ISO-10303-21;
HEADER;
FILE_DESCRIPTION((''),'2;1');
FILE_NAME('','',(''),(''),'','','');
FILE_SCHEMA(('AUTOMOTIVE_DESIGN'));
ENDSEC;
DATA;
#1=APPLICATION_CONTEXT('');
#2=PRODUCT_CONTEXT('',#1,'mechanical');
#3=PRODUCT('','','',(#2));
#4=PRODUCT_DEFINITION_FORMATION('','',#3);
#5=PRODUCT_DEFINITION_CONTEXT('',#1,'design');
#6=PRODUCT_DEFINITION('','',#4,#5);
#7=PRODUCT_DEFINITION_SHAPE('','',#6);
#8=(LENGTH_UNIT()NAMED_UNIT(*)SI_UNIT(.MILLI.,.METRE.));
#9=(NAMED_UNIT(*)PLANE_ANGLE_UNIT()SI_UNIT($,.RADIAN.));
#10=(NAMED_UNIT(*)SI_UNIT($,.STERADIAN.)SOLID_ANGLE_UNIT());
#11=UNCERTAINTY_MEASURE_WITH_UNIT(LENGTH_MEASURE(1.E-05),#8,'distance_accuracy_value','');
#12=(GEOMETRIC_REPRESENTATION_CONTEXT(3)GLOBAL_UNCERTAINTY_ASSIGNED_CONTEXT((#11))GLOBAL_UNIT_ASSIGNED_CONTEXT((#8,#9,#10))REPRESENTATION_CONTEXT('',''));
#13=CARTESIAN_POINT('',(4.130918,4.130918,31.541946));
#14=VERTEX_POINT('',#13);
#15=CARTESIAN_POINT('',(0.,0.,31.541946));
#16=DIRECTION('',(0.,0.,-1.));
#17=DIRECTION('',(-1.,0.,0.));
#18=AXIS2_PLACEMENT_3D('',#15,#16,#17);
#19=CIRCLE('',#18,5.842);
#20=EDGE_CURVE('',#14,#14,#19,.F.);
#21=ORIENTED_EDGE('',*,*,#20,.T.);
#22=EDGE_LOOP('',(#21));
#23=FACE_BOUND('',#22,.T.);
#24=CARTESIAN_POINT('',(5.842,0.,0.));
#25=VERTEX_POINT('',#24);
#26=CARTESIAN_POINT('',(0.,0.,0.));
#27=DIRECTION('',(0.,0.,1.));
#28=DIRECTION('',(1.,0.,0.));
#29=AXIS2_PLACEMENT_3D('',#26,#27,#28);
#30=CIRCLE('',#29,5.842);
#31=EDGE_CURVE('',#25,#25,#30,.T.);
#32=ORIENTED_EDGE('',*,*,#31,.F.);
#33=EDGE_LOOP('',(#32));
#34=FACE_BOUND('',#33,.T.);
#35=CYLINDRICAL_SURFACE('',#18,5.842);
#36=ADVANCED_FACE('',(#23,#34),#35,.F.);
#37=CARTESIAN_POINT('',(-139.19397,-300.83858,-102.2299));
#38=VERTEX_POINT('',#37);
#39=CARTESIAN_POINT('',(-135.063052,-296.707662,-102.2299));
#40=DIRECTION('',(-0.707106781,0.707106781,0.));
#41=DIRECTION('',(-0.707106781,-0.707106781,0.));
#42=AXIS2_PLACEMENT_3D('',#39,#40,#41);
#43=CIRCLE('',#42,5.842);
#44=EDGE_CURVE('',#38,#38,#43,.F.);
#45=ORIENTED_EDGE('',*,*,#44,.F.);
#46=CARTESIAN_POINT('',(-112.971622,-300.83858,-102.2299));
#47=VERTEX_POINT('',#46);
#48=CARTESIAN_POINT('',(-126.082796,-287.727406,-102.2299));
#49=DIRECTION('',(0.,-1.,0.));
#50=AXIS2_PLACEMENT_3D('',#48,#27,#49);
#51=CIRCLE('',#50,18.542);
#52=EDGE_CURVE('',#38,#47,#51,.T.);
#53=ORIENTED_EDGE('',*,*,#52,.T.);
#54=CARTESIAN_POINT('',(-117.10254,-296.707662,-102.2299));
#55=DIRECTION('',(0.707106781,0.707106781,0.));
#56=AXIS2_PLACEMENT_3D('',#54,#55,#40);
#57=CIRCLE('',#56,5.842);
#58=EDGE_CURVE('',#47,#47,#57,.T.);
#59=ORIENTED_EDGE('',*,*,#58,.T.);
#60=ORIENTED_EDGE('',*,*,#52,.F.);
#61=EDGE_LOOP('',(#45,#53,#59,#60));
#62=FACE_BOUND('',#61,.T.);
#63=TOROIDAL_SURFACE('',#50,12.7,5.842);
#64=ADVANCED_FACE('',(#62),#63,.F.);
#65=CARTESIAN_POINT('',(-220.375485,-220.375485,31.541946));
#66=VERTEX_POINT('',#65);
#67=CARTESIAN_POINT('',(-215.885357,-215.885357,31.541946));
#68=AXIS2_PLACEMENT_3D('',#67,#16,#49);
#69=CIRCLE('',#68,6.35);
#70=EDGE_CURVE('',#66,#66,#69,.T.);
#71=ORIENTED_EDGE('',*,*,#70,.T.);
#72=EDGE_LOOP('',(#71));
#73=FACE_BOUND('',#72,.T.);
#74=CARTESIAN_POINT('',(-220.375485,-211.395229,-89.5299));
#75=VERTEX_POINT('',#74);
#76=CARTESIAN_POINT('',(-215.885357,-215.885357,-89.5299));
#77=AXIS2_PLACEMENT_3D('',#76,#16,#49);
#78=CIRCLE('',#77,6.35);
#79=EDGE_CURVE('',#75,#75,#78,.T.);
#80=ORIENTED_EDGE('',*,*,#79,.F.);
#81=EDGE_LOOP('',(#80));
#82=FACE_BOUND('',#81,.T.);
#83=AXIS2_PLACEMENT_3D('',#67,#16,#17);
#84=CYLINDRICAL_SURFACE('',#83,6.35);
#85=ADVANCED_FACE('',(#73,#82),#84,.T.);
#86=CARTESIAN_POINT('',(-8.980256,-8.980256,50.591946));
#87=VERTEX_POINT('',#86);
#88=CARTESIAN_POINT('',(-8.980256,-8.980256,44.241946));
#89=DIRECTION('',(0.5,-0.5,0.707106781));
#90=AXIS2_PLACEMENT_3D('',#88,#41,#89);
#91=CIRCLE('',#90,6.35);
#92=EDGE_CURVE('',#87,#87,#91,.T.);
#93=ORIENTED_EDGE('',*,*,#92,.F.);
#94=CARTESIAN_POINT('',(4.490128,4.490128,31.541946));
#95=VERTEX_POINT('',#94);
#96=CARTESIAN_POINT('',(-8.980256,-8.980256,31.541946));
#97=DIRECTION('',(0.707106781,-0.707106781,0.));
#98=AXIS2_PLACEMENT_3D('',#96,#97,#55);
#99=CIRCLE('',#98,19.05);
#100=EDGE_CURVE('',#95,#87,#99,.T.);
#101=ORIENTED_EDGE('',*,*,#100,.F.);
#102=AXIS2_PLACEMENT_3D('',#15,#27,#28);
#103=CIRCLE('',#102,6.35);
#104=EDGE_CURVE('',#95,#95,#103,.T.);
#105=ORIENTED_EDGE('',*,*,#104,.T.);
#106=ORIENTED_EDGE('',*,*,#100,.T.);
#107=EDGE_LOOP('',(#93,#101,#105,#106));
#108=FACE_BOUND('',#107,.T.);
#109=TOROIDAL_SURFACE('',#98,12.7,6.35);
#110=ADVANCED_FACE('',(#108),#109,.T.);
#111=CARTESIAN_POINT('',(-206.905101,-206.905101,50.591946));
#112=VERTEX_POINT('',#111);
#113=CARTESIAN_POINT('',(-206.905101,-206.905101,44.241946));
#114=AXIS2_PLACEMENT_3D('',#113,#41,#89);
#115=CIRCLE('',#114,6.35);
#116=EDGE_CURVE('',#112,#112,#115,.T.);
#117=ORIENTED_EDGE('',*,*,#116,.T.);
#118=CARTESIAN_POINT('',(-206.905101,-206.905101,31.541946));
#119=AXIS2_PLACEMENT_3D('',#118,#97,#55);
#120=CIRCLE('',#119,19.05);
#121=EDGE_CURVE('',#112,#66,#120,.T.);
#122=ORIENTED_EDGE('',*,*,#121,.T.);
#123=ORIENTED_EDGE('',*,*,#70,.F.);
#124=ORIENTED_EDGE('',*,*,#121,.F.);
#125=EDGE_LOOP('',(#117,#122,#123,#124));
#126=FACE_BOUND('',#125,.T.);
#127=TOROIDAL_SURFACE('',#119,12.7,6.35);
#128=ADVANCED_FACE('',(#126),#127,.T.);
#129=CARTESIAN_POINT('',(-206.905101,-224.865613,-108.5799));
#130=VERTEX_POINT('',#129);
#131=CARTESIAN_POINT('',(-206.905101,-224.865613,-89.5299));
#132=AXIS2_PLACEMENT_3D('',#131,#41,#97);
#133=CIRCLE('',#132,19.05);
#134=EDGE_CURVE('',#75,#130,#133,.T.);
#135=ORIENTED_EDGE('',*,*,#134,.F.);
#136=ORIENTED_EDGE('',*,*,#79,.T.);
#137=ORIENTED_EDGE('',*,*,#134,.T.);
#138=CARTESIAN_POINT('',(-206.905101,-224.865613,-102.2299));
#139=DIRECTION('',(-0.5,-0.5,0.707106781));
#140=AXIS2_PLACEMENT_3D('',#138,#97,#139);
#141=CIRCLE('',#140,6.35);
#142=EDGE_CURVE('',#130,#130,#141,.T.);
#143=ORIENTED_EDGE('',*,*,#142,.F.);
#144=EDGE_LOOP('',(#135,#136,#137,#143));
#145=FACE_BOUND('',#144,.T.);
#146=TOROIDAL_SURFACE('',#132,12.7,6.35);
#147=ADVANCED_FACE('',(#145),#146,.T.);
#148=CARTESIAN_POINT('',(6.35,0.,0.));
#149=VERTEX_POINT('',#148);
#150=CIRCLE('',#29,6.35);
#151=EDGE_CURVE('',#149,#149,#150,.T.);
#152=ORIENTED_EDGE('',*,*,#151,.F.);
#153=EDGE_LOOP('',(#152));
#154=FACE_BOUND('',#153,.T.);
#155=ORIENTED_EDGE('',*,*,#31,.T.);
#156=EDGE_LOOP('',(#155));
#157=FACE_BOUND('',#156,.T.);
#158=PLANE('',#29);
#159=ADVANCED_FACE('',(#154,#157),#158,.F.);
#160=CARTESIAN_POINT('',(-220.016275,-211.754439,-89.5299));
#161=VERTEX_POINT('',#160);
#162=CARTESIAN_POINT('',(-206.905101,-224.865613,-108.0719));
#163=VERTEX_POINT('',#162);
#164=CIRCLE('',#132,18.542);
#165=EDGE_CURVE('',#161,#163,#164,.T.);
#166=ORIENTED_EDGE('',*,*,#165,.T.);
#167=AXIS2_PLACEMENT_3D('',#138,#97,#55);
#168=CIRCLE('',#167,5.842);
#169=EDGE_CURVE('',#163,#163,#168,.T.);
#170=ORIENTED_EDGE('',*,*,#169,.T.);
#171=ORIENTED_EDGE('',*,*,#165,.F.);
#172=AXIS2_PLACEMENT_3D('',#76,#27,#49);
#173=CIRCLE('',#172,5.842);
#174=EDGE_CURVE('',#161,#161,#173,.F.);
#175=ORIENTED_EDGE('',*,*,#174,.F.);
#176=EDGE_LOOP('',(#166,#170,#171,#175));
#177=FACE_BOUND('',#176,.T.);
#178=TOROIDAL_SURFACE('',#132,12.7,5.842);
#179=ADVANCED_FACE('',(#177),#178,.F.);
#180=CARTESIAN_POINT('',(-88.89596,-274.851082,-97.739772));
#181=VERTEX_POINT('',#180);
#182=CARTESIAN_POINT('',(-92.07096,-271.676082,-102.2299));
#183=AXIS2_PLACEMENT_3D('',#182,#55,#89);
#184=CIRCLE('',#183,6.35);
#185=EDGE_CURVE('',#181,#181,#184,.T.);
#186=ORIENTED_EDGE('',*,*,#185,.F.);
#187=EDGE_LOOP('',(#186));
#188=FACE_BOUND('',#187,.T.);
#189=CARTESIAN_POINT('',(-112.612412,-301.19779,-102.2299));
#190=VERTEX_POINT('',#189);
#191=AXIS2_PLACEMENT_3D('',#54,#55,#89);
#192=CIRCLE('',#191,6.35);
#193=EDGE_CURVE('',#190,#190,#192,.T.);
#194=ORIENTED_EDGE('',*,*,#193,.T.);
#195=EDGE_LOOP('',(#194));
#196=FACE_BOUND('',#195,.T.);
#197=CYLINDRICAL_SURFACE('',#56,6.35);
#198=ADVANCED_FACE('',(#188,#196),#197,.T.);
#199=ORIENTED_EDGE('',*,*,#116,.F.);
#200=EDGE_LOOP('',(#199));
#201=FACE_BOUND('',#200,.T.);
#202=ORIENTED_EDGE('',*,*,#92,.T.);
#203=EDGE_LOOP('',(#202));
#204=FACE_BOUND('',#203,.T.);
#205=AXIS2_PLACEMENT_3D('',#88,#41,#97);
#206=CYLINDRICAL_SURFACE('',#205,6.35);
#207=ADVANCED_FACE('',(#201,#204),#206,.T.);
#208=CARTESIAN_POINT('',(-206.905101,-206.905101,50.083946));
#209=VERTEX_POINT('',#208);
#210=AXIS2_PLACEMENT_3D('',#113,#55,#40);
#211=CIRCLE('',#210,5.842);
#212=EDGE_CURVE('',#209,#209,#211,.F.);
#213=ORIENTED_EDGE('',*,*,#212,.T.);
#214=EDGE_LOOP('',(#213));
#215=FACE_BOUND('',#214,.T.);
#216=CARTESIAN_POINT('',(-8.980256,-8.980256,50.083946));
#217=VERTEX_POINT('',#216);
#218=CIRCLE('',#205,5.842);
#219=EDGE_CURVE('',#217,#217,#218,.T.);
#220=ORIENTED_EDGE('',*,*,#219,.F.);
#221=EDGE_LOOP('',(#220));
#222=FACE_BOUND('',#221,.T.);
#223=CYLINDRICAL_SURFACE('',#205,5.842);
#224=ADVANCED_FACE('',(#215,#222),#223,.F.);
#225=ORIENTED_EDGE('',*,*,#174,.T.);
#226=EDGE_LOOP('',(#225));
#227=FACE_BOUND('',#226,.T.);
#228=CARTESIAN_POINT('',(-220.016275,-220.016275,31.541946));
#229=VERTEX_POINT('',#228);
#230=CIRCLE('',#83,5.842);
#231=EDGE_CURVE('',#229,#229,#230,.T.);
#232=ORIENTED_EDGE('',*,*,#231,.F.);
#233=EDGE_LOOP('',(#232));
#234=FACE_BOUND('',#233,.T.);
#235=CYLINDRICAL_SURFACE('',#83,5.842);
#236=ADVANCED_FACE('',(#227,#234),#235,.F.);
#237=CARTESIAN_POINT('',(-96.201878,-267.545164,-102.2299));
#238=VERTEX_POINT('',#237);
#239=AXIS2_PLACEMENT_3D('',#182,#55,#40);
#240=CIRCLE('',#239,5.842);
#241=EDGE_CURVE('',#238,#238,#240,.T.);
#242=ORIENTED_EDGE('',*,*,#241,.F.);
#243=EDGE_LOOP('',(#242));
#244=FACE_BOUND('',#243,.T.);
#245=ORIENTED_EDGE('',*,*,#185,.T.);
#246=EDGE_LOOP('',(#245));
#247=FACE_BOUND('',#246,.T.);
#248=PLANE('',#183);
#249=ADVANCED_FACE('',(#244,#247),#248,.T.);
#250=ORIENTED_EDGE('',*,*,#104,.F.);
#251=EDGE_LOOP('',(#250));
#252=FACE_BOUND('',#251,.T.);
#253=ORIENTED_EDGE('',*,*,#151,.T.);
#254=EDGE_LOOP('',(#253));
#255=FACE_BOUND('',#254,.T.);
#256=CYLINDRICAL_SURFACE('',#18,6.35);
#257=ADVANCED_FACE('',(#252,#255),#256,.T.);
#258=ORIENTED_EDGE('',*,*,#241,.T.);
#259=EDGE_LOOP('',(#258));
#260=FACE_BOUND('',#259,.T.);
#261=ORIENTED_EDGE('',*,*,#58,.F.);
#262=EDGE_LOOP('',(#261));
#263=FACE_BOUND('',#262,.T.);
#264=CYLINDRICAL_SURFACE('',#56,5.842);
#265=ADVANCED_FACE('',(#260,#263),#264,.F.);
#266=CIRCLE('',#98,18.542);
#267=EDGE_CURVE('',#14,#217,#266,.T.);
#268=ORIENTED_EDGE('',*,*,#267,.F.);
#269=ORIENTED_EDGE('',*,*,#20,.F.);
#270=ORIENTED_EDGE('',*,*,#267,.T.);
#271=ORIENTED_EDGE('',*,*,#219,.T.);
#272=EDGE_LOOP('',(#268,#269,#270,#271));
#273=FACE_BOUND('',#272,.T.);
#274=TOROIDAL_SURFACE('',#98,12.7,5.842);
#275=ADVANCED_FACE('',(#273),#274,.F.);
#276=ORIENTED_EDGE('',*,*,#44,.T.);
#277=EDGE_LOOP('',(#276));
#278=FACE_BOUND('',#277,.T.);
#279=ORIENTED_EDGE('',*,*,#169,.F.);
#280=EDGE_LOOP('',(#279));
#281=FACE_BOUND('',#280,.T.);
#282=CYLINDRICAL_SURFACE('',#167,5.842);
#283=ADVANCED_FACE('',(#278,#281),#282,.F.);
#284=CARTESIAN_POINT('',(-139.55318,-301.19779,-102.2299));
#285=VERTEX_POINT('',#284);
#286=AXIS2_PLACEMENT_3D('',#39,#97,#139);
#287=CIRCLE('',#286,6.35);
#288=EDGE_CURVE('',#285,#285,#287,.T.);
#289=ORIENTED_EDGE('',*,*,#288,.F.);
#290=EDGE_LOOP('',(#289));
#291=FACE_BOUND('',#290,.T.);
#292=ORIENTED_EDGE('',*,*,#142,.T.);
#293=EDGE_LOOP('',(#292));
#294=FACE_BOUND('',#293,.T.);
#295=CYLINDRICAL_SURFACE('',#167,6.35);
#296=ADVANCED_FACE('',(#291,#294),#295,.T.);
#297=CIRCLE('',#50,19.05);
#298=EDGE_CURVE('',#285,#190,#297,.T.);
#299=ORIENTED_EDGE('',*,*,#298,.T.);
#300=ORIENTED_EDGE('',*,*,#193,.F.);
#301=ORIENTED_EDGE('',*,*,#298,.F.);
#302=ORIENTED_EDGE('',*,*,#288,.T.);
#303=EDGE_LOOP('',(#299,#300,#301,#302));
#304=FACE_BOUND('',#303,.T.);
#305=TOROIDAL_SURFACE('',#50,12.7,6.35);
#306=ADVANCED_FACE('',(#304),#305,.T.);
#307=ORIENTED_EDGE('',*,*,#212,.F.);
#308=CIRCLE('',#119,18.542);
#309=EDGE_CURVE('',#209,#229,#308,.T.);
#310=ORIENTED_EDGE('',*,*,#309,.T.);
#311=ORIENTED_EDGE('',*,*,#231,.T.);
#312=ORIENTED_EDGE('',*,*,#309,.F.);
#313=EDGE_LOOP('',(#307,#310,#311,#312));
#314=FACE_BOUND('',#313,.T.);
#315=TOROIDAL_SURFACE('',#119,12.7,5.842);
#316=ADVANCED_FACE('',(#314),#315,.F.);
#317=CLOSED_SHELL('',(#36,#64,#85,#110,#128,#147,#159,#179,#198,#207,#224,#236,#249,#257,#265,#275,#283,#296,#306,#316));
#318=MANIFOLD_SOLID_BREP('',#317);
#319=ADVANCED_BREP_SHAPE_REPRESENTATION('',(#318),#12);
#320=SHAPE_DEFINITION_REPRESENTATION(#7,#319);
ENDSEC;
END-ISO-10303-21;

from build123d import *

# Parameters (mm, degrees)
PIPESKETCH_R   = 6.35
PIPESKETCH_R_2 = 5.842


with BuildPart() as part:
    # ThinSweep: sweep along a curve in space
    with BuildLine() as thinsweep_path:
        Line((0, 0, 0), (0, 0, 31.541945614))
        ThreePointArc((0, 0, 31.541945614), (-2.630256121, -2.630256121, 40.522201735), (-8.980256121, -8.980256121, 44.241945614))
        Line((-8.980256121, -8.980256121, 44.241945614), (-206.905101029, -206.905101029, 44.241945614))
        ThreePointArc((-206.905101029, -206.905101029, 44.241945614), (-213.255101029, -213.255101029, 40.522201735), (-215.885357151, -215.885357151, 31.541945614))
        Line((-215.885357151, -215.885357151, 31.541945614), (-215.885357151, -215.885357151, -89.5299))
        ThreePointArc((-215.885357151, -215.885357151, -89.5299), (-213.255101029, -218.515613272, -98.510156121), (-206.905101029, -224.865613272, -102.2299))
        Line((-206.905101029, -224.865613272, -102.2299), (-135.063052061, -296.70766224, -102.2299))
        ThreePointArc((-135.063052061, -296.70766224, -102.2299), (-126.08279594, -300.427406119, -102.2299), (-117.102539819, -296.70766224, -102.2299))
        Line((-92.070959765, -271.676082186, -102.2299), (-117.102539819, -296.70766224, -102.2299))
    # PipeSketch → ThinSweep (sweep)
    with BuildSketch(Plane.XY):
        Circle(PIPESKETCH_R)
        Circle(PIPESKETCH_R_2, mode=Mode.SUBTRACT)
    sweep(path=thinsweep_path.line)


solid = part.part
